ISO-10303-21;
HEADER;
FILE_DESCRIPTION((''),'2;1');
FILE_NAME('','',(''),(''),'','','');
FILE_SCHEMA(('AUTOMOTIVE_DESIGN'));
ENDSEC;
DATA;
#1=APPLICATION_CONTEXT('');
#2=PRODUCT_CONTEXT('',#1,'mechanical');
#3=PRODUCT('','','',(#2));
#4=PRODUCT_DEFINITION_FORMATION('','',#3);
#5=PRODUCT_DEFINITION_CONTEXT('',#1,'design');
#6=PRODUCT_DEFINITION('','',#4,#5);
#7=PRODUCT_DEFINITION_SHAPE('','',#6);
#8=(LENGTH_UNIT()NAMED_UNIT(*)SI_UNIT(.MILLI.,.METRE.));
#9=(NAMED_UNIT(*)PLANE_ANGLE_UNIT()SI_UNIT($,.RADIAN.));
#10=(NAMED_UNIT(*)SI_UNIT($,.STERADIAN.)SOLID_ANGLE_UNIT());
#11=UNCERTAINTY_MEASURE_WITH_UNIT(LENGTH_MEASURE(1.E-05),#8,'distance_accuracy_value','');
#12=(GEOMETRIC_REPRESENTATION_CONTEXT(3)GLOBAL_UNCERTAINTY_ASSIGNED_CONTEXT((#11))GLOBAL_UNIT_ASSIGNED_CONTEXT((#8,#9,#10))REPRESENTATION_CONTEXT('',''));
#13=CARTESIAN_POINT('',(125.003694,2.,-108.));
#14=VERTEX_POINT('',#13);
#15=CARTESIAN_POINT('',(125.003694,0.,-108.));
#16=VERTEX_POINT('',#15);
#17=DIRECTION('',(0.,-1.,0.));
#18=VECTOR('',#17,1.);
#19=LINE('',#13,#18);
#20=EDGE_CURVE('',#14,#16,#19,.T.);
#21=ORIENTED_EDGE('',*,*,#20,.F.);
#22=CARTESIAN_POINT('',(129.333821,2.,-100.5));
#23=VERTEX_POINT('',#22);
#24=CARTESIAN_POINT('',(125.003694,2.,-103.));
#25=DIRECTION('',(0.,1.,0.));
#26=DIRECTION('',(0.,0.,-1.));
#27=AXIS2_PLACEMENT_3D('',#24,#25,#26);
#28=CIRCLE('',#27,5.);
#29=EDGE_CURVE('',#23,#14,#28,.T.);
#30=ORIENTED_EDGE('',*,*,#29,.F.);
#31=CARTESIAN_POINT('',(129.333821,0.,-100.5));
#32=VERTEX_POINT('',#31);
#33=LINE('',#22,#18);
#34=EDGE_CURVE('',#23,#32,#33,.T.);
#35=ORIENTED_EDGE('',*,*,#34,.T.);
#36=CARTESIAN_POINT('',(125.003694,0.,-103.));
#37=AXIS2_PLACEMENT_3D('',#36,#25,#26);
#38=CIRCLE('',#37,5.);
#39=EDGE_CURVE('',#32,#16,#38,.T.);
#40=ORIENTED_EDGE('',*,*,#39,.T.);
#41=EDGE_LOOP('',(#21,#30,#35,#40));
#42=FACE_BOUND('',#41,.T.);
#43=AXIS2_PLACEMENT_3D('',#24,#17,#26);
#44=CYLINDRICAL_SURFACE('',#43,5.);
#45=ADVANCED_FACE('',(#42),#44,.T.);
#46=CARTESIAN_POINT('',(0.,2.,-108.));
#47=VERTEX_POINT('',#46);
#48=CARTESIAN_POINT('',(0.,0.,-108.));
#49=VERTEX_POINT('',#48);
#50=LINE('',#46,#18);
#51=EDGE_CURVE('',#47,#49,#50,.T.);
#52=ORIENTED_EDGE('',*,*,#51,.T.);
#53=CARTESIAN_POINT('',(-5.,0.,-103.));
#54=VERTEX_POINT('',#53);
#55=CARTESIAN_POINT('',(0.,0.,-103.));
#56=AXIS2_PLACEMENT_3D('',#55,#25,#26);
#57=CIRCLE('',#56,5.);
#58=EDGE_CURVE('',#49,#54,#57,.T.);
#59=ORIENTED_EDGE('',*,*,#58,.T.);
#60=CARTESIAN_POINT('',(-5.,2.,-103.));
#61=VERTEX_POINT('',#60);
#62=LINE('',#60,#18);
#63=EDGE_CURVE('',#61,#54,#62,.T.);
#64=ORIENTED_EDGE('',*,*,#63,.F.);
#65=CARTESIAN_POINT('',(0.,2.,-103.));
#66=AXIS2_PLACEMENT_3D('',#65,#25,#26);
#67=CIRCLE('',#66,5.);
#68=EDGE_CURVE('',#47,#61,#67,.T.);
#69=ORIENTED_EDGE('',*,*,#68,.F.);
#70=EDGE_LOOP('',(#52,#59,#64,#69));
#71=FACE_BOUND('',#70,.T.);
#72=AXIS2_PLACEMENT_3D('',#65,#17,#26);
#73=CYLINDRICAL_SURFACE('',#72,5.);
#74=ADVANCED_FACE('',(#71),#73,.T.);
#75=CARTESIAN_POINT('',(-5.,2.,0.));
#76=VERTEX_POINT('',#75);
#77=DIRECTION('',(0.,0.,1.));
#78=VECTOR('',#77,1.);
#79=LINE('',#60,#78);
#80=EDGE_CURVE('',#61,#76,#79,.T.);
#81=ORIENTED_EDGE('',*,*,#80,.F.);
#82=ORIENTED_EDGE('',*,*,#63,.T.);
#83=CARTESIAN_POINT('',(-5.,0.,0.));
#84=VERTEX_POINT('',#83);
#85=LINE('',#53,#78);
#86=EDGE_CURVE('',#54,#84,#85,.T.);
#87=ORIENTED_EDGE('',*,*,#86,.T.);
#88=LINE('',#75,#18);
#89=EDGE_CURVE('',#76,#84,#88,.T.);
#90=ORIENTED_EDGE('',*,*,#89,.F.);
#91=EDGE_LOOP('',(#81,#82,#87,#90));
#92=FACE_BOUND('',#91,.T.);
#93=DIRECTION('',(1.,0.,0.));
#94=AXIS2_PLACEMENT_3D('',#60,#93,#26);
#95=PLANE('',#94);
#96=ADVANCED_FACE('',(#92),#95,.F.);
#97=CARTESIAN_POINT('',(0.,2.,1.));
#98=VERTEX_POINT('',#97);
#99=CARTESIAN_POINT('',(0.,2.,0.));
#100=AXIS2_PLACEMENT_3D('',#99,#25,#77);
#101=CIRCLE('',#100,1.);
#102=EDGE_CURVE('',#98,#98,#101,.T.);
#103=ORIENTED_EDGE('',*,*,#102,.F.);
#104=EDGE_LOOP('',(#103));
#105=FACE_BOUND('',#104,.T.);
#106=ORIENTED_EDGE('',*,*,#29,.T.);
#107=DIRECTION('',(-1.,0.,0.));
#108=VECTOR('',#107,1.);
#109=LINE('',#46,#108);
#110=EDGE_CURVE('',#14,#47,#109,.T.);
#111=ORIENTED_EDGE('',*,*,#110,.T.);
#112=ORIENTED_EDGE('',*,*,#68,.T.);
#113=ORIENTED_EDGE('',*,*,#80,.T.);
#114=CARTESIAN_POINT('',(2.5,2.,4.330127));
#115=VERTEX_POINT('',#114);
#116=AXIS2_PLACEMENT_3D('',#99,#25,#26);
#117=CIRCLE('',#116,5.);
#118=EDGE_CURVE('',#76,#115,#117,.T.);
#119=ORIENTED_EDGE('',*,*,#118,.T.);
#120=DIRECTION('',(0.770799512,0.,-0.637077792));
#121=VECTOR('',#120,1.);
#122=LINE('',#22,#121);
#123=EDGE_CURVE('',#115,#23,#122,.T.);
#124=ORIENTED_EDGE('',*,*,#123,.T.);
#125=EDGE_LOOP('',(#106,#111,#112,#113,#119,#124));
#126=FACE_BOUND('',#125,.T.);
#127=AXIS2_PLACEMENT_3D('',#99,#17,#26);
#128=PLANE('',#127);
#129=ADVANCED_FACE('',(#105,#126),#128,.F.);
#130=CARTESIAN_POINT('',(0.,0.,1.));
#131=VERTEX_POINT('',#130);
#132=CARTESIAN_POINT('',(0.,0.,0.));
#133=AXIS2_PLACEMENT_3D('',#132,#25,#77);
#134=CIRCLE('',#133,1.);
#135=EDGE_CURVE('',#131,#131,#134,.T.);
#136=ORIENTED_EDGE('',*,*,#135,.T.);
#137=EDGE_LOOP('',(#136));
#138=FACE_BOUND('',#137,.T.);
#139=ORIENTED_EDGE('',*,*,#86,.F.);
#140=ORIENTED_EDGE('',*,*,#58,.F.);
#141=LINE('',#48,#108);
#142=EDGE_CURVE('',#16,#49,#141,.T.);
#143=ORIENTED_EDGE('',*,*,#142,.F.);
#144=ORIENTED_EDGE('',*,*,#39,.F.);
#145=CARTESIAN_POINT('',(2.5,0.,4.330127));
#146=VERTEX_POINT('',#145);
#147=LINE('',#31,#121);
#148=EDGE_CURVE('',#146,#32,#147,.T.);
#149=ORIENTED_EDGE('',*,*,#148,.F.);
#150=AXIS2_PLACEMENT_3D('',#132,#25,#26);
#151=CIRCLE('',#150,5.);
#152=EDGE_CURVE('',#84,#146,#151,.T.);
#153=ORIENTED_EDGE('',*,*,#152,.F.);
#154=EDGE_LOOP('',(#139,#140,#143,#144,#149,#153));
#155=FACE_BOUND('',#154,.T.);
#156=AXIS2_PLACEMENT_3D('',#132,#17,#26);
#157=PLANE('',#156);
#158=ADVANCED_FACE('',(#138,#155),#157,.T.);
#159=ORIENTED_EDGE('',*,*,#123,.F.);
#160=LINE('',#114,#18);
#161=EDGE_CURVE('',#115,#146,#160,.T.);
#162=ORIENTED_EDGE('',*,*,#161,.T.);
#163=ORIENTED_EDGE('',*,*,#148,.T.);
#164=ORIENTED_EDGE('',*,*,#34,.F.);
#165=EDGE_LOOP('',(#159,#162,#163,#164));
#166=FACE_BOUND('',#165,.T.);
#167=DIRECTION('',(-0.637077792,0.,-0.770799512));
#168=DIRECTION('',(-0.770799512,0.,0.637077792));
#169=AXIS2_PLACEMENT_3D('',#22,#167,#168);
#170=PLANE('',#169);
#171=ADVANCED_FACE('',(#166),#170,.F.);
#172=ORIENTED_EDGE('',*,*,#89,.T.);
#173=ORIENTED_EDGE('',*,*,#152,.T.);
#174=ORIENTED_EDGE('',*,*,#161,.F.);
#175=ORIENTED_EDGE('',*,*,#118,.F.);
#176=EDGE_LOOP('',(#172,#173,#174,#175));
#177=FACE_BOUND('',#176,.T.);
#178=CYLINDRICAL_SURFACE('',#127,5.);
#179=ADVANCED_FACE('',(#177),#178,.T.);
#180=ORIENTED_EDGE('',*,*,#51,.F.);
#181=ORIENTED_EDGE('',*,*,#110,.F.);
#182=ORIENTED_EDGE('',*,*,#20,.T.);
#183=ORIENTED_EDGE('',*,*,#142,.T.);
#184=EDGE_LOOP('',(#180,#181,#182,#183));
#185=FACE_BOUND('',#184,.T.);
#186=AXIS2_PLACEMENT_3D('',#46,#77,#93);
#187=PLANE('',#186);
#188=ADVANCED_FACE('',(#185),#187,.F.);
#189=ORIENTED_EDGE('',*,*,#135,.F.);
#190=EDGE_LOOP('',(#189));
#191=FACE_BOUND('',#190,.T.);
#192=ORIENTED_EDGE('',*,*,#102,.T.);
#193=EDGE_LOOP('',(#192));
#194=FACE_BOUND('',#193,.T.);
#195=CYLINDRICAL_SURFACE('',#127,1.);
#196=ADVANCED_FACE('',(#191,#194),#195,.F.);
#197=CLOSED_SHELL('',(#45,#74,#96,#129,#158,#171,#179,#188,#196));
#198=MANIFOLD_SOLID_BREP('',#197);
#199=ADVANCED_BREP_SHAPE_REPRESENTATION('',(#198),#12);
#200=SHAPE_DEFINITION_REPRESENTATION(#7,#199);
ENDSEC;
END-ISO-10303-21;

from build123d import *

# Parameters (mm, degrees)
ESQUISSE1_R        = 1
BOSS_EXTRU_2_DEPTH = 2


with BuildPart() as part:
    # Esquisse1 → Boss.-Extru.2 (new body)
    with BuildSketch(Plane(origin=(0, 0, 0), x_dir=(1, 0, 0), z_dir=(0, 1, 0))):
        with BuildLine():
            Line((129.333821146, 100.5), (2.5, -4.330127019))
            ThreePointArc((2.5, -4.330127019), (-2.5, -4.330127019), (-5, 0))
            Line((-5, 0), (-5, 103))
            ThreePointArc((-5, 103), (-3.535533906, 106.535533906), (0, 108))
            Line((0, 108), (125.003694127, 108))
            ThreePointArc((125.003694127, 108), (129.333821146, 105.5), (129.333821146, 100.5))
        make_face()
        Circle(ESQUISSE1_R, mode=Mode.SUBTRACT)
    extrude(amount=BOSS_EXTRU_2_DEPTH)


solid = part.part
